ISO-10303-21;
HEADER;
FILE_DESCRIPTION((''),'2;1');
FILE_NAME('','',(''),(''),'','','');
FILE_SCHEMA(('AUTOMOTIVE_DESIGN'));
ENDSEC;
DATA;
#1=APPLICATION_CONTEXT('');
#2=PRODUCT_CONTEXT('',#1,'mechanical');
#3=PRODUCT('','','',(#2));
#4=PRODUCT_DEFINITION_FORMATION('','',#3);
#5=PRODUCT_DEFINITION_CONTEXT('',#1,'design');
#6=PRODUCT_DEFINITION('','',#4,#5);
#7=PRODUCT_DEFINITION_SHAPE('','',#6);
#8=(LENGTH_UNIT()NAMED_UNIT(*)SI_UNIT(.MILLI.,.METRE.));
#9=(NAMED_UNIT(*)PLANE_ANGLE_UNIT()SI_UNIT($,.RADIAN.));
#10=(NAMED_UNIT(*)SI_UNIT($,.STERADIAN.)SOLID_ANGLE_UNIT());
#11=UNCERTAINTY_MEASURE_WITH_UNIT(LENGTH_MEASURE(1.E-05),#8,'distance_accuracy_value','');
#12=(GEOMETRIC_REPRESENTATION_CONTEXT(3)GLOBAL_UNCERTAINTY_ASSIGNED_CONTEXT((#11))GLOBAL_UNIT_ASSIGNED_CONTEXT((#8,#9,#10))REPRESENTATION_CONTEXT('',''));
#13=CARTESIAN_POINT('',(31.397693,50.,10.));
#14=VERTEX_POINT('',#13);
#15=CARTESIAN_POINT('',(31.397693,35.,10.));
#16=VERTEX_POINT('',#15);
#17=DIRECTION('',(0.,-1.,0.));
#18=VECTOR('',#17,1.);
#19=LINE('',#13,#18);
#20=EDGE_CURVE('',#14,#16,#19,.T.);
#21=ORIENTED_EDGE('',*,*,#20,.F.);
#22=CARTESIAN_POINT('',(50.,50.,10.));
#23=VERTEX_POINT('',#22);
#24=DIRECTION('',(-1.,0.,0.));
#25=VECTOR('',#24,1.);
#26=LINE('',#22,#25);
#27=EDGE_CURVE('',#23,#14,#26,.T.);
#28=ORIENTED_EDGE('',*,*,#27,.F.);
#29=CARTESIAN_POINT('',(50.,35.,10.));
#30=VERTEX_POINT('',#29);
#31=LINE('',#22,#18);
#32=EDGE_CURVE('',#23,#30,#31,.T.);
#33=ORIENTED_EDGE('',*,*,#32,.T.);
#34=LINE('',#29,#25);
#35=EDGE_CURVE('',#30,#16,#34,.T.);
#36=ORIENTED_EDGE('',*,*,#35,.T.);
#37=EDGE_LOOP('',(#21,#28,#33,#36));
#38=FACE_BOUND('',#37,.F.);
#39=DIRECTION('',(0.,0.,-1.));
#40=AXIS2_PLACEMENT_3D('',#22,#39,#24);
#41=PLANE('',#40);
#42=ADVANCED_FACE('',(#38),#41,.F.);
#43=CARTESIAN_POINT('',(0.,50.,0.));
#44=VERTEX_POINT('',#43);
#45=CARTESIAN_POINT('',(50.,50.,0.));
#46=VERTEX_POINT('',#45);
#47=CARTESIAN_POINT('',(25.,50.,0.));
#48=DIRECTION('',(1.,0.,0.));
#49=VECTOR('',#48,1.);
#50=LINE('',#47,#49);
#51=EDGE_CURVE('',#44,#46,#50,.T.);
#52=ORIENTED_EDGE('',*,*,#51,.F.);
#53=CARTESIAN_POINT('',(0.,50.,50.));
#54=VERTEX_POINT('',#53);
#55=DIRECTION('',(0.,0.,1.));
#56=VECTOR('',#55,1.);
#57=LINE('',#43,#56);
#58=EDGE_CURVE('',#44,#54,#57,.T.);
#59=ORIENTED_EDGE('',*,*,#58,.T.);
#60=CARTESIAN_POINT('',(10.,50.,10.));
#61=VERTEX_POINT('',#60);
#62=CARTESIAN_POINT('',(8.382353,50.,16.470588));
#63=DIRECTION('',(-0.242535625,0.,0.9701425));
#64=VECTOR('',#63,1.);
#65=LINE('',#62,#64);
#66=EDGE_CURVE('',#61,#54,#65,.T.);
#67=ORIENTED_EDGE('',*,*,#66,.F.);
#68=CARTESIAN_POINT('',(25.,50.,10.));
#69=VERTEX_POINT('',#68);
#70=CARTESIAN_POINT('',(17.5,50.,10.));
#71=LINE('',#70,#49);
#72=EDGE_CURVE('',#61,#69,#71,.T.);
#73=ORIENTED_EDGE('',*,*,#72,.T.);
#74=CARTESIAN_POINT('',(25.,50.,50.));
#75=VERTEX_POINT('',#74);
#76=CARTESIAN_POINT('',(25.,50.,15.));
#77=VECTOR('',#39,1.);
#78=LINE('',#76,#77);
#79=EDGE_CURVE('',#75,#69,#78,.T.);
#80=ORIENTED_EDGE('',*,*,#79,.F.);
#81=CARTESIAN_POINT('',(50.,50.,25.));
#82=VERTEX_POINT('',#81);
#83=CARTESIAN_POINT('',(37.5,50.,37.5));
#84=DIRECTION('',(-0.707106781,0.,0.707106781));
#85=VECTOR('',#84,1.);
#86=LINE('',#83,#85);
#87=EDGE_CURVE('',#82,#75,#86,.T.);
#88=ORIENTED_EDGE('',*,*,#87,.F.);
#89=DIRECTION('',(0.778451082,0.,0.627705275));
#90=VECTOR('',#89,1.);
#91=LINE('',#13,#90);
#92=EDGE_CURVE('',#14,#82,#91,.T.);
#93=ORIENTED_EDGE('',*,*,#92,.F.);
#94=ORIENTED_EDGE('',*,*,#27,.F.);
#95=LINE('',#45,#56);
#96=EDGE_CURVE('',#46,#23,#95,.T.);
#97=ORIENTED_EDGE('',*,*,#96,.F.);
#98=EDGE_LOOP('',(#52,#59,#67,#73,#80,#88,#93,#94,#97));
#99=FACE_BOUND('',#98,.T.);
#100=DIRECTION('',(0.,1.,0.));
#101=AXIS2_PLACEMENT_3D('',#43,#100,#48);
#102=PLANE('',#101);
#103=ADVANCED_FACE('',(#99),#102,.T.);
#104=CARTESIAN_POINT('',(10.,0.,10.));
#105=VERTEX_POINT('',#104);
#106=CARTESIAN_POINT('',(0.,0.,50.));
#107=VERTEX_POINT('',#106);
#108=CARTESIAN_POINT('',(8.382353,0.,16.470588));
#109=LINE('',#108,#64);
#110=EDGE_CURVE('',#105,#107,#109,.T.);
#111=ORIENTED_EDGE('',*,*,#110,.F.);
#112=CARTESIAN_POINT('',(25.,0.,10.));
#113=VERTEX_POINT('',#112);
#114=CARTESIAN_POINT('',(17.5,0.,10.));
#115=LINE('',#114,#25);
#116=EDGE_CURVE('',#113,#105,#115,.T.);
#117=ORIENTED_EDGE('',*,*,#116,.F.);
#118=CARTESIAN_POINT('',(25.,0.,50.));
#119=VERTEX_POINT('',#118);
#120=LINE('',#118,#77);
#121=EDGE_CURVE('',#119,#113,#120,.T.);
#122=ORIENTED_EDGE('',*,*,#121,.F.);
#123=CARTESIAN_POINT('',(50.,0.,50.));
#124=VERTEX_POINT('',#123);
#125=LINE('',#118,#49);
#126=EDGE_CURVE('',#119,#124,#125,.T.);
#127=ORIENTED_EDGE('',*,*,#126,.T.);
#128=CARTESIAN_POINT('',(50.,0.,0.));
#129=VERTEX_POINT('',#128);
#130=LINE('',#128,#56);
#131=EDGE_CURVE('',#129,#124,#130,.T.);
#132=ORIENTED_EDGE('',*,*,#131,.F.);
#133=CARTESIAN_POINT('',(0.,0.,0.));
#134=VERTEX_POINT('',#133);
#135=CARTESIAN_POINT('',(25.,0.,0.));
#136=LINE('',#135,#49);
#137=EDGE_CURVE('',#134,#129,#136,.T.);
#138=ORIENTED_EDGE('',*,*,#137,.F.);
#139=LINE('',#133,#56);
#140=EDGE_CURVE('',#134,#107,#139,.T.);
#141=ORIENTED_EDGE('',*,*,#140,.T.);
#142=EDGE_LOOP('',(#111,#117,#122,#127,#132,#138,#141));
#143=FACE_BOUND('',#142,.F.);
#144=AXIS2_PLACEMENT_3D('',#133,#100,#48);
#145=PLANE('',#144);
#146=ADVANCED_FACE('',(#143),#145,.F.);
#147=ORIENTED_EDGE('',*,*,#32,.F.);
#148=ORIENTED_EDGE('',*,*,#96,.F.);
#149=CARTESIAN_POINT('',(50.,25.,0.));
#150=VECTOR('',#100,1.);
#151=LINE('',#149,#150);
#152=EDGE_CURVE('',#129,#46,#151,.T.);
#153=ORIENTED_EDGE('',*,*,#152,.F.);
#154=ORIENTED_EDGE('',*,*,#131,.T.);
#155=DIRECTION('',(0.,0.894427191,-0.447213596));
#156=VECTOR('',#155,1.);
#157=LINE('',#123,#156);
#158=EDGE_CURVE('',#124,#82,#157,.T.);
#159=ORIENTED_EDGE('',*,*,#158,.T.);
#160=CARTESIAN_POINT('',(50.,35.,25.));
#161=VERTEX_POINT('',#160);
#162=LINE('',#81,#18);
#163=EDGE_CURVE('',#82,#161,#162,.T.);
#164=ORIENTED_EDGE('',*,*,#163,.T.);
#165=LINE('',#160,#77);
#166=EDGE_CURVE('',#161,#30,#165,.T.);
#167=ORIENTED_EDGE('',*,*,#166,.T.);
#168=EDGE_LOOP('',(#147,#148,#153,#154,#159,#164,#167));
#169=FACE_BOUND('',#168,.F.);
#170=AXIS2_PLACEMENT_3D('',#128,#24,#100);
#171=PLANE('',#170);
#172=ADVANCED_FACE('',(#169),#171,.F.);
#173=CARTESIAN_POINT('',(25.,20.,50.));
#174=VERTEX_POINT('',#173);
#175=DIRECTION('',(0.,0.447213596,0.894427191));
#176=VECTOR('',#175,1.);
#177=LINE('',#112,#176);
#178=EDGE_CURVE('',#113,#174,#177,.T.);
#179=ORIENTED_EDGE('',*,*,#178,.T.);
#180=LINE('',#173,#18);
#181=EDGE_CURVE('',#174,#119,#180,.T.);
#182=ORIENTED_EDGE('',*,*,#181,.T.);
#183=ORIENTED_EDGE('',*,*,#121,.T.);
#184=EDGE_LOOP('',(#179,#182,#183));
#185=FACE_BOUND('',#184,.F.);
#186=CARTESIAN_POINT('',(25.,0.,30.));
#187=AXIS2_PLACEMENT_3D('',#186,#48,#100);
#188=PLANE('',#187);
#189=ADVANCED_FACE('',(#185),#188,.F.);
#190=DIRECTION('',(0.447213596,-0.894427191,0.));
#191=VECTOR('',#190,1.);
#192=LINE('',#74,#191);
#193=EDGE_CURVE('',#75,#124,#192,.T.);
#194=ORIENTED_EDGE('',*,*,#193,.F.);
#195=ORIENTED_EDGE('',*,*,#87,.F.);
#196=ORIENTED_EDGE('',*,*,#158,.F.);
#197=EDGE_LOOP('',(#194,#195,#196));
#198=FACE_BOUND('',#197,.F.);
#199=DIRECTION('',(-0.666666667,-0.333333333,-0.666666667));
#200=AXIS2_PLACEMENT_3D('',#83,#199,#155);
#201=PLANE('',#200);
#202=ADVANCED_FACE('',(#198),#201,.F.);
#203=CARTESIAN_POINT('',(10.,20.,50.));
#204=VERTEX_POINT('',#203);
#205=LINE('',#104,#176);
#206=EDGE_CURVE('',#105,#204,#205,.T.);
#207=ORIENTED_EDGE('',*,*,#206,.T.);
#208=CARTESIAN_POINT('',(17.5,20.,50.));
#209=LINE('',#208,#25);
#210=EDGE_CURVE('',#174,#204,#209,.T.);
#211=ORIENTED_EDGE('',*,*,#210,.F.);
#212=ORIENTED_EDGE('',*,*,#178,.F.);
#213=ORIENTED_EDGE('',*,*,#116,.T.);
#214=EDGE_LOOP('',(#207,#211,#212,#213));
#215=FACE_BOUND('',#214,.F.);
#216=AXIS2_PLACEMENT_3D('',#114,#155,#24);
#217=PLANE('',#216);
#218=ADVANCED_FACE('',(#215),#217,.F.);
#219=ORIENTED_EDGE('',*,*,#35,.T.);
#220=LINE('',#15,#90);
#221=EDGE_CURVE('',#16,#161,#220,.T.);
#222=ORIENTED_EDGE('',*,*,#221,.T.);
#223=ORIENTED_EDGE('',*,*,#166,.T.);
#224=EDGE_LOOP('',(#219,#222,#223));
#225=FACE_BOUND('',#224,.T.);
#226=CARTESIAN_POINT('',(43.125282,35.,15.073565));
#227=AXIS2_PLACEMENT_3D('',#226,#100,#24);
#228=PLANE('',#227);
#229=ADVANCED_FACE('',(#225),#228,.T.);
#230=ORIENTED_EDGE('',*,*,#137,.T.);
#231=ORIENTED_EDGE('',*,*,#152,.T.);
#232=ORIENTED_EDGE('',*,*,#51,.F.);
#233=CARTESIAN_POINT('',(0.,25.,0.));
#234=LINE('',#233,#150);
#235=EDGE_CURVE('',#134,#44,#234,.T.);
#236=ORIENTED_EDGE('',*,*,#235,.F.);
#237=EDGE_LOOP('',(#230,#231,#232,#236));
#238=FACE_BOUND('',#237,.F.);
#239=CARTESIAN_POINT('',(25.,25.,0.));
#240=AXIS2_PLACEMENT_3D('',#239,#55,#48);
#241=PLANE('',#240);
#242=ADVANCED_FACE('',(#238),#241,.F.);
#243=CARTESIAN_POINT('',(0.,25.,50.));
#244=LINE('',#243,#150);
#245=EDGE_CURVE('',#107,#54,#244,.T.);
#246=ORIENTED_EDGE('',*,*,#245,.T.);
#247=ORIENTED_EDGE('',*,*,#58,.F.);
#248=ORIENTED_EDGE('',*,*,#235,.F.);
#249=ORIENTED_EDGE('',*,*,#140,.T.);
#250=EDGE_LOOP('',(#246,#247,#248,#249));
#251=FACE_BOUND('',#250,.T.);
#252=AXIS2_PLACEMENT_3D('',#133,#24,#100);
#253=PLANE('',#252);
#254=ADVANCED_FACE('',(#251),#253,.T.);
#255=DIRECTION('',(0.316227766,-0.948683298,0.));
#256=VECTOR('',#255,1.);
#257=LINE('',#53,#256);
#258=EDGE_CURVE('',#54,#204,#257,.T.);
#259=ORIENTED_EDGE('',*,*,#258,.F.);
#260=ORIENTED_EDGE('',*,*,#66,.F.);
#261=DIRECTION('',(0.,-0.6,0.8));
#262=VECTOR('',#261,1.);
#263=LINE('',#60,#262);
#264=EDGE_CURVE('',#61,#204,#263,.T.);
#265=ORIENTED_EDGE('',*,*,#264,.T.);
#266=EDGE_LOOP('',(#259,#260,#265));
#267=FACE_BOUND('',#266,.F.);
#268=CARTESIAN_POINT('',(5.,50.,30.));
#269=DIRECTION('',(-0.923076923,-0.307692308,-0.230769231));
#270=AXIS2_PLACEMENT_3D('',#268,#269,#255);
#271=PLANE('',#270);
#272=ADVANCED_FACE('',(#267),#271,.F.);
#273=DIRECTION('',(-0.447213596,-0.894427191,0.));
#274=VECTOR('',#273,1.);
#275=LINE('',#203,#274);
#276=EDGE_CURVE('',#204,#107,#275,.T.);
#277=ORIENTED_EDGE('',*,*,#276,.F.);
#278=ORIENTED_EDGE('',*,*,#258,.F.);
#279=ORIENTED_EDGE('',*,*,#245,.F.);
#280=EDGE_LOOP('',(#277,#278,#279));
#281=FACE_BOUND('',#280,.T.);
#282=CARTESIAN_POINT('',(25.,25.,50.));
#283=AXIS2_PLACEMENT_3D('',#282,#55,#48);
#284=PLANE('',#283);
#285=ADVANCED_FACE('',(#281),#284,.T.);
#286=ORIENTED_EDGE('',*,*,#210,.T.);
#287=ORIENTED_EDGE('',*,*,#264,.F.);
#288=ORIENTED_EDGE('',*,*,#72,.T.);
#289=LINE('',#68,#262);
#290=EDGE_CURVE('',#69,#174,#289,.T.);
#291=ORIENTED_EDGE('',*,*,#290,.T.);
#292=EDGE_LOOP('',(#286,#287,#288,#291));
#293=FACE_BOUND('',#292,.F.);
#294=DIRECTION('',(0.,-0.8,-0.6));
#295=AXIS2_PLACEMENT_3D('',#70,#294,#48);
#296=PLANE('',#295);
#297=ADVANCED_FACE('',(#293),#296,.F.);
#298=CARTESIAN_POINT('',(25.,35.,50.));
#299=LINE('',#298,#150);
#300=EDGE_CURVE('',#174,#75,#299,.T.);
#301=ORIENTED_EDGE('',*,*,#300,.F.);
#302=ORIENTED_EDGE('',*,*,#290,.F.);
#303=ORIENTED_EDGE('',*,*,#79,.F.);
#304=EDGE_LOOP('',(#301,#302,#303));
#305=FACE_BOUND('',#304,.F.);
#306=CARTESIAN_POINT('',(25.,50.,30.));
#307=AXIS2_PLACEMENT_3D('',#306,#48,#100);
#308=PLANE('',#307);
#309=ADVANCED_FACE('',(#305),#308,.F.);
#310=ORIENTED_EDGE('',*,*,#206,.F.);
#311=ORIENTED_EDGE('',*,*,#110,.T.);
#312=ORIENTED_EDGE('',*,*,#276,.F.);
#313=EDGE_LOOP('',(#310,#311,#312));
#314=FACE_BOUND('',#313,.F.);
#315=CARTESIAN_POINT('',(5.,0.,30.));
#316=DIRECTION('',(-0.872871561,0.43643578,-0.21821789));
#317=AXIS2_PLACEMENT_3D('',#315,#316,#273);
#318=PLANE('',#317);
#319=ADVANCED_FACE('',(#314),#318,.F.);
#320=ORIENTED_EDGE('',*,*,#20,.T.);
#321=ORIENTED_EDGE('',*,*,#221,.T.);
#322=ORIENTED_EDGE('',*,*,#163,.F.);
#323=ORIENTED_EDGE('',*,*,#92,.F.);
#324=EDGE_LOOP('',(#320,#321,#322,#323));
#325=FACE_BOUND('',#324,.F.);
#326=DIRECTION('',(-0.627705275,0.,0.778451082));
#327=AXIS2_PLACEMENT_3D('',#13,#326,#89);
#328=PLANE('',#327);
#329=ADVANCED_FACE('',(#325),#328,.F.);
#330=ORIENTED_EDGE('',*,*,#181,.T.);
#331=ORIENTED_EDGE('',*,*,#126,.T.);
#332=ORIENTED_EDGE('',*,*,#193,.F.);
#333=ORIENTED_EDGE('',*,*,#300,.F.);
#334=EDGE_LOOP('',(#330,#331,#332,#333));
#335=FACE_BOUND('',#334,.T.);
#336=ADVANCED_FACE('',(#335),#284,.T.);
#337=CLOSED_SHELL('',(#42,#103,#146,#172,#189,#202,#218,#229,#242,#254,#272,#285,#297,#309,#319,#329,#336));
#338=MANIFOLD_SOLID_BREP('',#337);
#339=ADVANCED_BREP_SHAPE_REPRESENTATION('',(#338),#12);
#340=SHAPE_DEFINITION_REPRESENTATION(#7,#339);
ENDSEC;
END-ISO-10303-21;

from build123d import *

# Parameters (mm, degrees)
F0_W      = 50
F0_H      = 50
F1_DEPTH  = 50
F3_W      = 15
F3_H      = 20
F4_W      = 15
F4_H      = 35.264277
F3_H_2    = 30
F15_DEPTH = 15


with BuildPart() as f1:
    # F0 (on Top) → F1 (new body)
    with BuildSketch(Plane.XY):
        with Locations((25, 25)):
            Rectangle(F0_W, F0_H)
    extrude(amount=F1_DEPTH)

    # F6: sweep along a path in F5
    with BuildLine(Plane.YZ.offset(50)) as f6_path:
        Line((0, 10), (20, 50))
    # F3 (on face) + F4 (on face) → F6 (sweep, cut)
    with BuildSketch(Plane.XY.offset(50)):
        with Locations((17.5, 10)):
            Rectangle(F3_W, F3_H)
    with BuildSketch(Plane.XZ):
        with Locations((17.5, 32.367862)):
            Rectangle(F4_W, F4_H)
    sweep(path=f6_path.line, mode=Mode.SUBTRACT)

    # F8: sweep along a path in F7
    with BuildLine(Plane.YZ.offset(50)) as f8_path:
        Line((50, 10), (20, 50))
    # F3 (on face) → F8 (sweep, cut)
    with BuildSketch(Plane.XY.offset(50)):
        with Locations((17.5, 35)):
            Rectangle(F3_W, F3_H_2)
    sweep(path=f8_path.line, mode=Mode.SUBTRACT)

    # F9: sweep along a path in F5
    with BuildLine(Plane.YZ.offset(50)) as f9_path:
        Line((0, 10), (20, 50))
    # F3 (on face) → F9 (sweep, cut)
    with BuildSketch(Plane.XY.offset(50)):
        Polygon((10, 0), (10, 20), (0, 0), align=None)
    sweep(path=f9_path.line, mode=Mode.SUBTRACT)

    # F10: sweep along a path in F7
    with BuildLine(Plane.YZ.offset(50)) as f10_path:
        Line((50, 10), (20, 50))
    # F3 (on face) → F10 (sweep, cut)
    with BuildSketch(Plane.XY.offset(50)):
        Polygon((10, 50), (0, 50), (10, 20), align=None)
    sweep(path=f10_path.line, mode=Mode.SUBTRACT)

    # F13: sweep along a path in F11
    with BuildLine(Plane.XY.offset(50)) as f13_path:
        Line((25, 50), (50, 0))
    # F12 (on face) → F13 (sweep, cut)
    with BuildSketch(Plane.YZ.offset(50)):
        Polygon((50, 50), (0, 50), (50, 25), align=None)
    sweep(path=f13_path.line, mode=Mode.SUBTRACT)

    # F14 (on face) → F15 (cut)
    with BuildSketch(Plane(origin=(0, 50, 0), x_dir=(-1, 0, 0), z_dir=(0, 1, 0))):
        Polygon((-31.397693, 10), (-50, 25), (-50, 10), align=None)
    extrude(amount=-F15_DEPTH, mode=Mode.SUBTRACT)


solid = f1.part
